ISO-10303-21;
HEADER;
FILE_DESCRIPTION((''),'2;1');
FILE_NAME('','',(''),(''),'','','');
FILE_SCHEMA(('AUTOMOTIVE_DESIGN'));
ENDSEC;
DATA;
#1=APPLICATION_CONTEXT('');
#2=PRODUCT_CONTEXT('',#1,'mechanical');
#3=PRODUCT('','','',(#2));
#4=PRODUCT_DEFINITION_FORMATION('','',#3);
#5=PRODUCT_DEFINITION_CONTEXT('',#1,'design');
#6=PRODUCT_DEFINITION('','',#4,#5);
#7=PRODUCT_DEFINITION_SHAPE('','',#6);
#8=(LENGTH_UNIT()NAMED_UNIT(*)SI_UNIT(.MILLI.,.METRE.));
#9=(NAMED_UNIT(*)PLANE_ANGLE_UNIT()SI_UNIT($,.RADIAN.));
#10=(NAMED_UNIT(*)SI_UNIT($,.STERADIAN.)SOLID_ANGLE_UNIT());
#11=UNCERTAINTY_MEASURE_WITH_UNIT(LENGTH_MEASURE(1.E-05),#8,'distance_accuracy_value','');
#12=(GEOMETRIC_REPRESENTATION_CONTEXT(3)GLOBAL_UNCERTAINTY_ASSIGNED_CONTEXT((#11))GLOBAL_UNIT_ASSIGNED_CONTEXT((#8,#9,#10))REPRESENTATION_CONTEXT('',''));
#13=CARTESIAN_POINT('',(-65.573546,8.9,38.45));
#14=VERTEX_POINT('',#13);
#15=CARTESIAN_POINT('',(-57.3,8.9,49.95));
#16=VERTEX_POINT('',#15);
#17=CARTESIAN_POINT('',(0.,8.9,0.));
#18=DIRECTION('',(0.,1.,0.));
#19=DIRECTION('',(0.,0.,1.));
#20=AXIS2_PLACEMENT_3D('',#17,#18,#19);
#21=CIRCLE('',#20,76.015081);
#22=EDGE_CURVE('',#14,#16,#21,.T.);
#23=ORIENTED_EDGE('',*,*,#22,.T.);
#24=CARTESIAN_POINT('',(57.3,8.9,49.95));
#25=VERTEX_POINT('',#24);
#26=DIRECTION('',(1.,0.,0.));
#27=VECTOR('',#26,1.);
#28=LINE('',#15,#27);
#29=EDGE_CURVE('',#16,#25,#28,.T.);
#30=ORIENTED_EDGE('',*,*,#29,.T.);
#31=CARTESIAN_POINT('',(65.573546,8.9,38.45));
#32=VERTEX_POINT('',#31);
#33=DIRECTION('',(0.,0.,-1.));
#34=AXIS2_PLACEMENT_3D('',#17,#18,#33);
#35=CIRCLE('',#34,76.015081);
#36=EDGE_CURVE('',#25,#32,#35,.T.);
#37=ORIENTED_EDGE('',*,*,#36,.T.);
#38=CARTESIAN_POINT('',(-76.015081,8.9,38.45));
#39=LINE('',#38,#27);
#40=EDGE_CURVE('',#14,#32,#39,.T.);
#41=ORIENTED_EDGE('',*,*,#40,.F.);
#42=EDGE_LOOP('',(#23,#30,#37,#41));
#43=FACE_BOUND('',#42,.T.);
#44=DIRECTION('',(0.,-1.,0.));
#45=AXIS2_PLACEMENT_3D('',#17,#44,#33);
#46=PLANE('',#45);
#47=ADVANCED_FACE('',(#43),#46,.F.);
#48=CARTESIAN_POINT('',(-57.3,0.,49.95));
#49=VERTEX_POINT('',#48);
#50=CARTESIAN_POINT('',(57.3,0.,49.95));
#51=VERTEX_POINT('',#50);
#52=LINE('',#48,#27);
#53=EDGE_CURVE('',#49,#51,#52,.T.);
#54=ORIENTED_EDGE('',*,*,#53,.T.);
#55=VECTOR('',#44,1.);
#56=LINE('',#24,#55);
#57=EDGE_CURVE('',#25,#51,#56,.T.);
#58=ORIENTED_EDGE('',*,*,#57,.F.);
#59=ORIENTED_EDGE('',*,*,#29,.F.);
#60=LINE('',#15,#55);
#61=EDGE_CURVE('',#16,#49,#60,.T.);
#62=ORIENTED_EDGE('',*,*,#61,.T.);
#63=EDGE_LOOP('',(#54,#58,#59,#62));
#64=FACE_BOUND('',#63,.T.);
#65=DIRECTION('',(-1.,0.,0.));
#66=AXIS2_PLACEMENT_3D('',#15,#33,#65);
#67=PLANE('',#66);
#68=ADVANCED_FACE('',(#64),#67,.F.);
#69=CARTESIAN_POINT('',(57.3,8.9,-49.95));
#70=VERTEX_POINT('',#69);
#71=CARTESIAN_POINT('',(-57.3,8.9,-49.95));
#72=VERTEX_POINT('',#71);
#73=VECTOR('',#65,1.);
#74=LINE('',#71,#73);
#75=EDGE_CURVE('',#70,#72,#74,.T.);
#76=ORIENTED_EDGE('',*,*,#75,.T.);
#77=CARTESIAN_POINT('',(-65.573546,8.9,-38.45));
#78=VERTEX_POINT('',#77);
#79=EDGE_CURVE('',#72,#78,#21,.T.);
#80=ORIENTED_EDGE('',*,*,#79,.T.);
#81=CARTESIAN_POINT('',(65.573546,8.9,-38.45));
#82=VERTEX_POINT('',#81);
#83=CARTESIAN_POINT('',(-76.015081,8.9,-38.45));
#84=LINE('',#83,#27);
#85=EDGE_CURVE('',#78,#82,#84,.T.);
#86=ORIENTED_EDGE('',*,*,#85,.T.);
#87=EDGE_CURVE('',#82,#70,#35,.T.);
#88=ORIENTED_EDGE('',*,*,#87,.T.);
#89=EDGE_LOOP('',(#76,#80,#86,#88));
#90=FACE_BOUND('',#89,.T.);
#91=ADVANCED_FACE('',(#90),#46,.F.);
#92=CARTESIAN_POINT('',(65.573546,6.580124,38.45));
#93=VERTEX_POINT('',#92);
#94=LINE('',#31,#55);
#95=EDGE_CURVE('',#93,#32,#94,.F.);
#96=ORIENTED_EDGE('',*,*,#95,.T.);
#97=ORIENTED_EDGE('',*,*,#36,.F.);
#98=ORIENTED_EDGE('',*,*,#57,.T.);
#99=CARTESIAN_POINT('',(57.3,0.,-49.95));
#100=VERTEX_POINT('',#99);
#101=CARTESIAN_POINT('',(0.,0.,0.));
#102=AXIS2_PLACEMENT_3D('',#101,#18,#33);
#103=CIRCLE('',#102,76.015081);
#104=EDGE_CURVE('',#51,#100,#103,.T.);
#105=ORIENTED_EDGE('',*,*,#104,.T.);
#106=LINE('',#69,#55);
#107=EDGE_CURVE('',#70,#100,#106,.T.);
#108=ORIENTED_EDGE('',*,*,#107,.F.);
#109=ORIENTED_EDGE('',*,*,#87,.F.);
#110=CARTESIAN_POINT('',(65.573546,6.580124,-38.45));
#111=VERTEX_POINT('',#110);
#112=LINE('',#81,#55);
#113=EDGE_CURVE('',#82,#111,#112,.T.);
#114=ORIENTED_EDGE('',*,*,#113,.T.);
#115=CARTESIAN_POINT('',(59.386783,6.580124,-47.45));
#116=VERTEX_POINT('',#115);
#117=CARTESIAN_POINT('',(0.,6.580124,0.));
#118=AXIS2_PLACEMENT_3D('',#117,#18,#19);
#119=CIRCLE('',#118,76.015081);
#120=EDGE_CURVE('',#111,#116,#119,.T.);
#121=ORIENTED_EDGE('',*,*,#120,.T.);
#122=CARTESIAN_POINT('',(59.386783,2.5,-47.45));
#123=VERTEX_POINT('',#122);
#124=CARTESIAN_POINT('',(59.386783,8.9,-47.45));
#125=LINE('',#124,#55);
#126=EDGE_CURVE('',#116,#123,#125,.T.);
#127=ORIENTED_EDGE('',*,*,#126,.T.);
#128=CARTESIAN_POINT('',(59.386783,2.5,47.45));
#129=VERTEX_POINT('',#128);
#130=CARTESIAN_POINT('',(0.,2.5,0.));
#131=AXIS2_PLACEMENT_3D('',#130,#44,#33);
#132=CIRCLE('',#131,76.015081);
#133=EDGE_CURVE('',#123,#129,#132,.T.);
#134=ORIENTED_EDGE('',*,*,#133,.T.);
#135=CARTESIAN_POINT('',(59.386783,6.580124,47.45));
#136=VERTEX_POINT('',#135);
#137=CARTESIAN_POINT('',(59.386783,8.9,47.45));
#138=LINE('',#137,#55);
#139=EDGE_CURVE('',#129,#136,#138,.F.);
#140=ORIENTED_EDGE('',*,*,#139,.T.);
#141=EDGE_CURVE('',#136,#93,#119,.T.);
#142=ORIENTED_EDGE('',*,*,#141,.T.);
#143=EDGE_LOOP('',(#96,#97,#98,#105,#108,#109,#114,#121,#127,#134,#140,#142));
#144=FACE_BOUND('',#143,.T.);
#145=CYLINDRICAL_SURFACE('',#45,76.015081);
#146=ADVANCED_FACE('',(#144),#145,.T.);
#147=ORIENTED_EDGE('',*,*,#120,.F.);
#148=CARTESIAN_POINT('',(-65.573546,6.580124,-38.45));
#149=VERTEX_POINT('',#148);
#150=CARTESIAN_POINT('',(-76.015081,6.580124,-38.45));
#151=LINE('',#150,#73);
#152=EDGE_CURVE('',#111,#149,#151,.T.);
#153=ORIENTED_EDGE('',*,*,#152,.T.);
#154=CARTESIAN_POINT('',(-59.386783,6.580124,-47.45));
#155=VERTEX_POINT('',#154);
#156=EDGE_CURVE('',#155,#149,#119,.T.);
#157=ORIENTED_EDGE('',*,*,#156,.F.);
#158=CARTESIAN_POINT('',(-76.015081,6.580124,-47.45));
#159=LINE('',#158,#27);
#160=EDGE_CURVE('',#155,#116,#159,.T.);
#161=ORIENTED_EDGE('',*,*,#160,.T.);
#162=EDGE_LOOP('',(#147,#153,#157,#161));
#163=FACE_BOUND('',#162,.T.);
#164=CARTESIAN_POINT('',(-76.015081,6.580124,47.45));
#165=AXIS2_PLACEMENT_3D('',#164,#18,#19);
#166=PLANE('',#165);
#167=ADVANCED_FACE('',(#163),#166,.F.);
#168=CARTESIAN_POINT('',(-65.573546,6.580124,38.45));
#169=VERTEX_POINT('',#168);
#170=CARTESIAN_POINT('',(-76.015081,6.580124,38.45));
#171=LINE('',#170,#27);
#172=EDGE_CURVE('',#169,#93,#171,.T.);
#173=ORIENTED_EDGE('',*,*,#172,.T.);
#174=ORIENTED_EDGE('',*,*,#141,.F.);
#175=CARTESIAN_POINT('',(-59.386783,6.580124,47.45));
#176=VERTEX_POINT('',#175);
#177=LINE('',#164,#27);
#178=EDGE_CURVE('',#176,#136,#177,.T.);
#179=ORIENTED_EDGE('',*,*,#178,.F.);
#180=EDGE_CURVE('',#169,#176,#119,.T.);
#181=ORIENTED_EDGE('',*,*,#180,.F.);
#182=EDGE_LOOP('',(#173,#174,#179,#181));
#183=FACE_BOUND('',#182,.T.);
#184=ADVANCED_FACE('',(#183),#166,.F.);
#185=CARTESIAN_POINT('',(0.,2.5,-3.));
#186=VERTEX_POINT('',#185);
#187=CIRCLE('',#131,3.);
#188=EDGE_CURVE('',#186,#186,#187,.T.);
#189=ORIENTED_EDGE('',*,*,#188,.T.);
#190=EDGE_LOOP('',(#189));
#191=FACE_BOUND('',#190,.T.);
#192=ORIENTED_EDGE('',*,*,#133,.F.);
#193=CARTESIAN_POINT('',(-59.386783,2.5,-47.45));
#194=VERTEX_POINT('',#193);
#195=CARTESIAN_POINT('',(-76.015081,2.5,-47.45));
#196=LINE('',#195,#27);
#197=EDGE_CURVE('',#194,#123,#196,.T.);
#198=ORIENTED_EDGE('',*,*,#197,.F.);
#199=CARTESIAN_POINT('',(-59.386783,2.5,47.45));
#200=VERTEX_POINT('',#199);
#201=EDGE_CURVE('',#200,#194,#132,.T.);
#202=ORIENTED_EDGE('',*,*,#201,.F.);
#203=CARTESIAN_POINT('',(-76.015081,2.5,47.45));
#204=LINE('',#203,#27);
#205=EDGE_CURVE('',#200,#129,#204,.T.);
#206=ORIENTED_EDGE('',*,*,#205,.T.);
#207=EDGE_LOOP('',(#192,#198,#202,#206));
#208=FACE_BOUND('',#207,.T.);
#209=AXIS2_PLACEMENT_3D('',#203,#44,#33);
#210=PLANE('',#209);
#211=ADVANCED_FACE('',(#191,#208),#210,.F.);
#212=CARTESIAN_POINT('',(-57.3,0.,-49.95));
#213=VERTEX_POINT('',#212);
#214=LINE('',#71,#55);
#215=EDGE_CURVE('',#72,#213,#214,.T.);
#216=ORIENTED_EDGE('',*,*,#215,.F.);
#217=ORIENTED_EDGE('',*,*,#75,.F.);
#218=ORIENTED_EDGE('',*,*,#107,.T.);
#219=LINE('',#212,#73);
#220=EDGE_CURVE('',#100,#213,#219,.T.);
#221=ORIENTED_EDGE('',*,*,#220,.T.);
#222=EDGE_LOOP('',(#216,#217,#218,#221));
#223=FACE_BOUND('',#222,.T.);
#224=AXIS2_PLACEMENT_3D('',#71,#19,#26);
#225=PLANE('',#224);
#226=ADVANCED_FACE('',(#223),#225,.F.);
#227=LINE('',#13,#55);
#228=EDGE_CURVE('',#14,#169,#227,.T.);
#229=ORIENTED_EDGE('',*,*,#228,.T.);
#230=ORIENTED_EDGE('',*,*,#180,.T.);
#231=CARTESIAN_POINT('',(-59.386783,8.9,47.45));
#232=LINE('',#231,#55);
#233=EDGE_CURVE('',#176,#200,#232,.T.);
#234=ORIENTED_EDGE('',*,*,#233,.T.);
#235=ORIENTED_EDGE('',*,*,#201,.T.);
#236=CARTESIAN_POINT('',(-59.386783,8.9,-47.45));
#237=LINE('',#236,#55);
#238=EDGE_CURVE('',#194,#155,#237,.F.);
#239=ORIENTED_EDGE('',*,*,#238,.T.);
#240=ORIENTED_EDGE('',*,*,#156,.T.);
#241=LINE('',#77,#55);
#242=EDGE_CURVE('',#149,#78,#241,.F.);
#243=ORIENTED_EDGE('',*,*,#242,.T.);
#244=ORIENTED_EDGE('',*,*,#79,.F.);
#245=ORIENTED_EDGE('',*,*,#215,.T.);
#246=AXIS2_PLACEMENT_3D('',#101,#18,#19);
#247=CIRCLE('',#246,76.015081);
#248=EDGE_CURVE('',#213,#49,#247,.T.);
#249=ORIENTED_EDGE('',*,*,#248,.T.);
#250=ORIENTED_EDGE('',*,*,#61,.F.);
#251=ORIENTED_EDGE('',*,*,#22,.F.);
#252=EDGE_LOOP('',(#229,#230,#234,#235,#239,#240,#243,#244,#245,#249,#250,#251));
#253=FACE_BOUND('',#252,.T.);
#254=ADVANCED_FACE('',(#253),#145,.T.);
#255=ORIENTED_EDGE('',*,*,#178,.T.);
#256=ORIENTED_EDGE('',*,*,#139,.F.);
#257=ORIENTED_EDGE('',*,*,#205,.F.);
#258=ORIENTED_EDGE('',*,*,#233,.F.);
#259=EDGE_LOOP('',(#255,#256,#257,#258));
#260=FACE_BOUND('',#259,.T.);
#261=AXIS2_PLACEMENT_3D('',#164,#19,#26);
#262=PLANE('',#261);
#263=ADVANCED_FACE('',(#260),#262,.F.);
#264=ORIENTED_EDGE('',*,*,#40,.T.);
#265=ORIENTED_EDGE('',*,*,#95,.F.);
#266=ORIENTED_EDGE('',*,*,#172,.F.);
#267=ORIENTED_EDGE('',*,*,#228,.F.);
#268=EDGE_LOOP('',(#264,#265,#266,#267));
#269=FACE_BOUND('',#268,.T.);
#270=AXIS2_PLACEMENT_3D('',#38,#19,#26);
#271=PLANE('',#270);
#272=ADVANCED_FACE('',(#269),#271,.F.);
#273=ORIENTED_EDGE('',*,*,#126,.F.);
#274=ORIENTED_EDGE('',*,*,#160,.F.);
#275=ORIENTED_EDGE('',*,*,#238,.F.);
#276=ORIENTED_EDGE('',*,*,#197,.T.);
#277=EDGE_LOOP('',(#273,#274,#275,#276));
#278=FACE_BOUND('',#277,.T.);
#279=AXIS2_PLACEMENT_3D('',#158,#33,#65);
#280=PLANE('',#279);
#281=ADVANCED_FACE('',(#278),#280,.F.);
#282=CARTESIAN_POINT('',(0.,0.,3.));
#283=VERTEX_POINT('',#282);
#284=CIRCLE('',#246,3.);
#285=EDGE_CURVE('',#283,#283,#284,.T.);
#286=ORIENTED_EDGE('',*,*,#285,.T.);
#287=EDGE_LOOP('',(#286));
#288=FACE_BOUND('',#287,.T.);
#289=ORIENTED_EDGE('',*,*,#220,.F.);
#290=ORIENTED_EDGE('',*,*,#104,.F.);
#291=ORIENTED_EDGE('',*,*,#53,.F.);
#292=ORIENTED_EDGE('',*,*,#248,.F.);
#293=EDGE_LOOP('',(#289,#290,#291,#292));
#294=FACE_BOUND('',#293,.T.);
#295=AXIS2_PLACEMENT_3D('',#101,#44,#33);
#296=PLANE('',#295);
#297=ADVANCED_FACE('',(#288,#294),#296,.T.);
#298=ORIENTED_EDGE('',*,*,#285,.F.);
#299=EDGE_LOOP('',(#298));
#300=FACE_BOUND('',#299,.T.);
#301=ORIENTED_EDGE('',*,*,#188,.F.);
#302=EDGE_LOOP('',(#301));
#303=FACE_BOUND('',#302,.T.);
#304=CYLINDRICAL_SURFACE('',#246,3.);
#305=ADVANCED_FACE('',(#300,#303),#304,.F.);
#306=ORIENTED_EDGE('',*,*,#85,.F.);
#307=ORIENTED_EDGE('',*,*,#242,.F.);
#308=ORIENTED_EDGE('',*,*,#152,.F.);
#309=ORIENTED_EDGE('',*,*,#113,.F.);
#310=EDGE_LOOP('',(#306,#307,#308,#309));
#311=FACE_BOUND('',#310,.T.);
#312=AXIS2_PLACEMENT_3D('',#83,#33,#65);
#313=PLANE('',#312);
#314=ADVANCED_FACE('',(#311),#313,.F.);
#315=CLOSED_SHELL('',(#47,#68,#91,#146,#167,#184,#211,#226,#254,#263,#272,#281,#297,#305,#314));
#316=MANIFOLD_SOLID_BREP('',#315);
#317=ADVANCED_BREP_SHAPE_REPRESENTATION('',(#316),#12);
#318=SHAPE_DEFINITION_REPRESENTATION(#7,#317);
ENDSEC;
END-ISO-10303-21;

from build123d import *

# Parameters (mm, degrees)
BOSS_EXTRUDE1_DEPTH     = 8.9
SKETCH4_W               = 94.9
SKETCH4_H               = 4.080124435
CUT_EXTRUDE1_DEPTH      = 77.015080741
CUT_EXTRUDE1_DEPTH_BACK = 77.015080741
SKETCH7_W               = 76.9
SKETCH7_H               = 2.319875565
CUT_EXTRUDE2_DEPTH      = 77.015080741
CUT_EXTRUDE2_DEPTH_BACK = 77.015080741
SKETCH8_R               = 3
CUT_EXTRUDE3_DEPTH      = 7.4
CUT_EXTRUDE3_DEPTH_BACK = 3.5


with BuildPart() as part:
    # Sketch3 → Boss-Extrude1 (new body)
    with BuildSketch(Plane(origin=(0, 0, 0), x_dir=(1, 0, 0), z_dir=(0, 1, 0))):
        with BuildLine():
            Line((-57.3, 49.95), (57.3, 49.95))
            ThreePointArc((57.3, 49.95), (76.015080741, 0), (57.3, -49.95))
            Line((57.3, -49.95), (-57.3, -49.95))
            ThreePointArc((-57.3, -49.95), (-76.015080741, 0), (-57.3, 49.95))
        make_face()
    extrude(amount=BOSS_EXTRUDE1_DEPTH)

    # Sketch4 → Cut-Extrude1 (cut, two sides)
    with BuildSketch(Plane(origin=(0, 0, 0), x_dir=(0, 0, -1), z_dir=(1, 0, 0))) as cut_extrude1_sk:
        with Locations((0, 4.540062218)):
            Rectangle(SKETCH4_W, SKETCH4_H)
    extrude(amount=CUT_EXTRUDE1_DEPTH, mode=Mode.SUBTRACT)
    extrude(cut_extrude1_sk.sketch, amount=-CUT_EXTRUDE1_DEPTH_BACK, mode=Mode.SUBTRACT)

    # Sketch7 → Cut-Extrude2 (cut, two sides)
    with BuildSketch(Plane(origin=(0, 0, 0), x_dir=(0, 0, -1), z_dir=(1, 0, 0))) as cut_extrude2_sk:
        with Locations((0, 7.740062218)):
            Rectangle(SKETCH7_W, SKETCH7_H)
    extrude(amount=CUT_EXTRUDE2_DEPTH, mode=Mode.SUBTRACT)
    extrude(cut_extrude2_sk.sketch, amount=-CUT_EXTRUDE2_DEPTH_BACK, mode=Mode.SUBTRACT)

    # Sketch8 → Cut-Extrude3 (cut, two sides)
    with BuildSketch(Plane(origin=(0, 2.5, 0), x_dir=(1, 0, 0), z_dir=(0, 1, 0))) as cut_extrude3_sk:
        Circle(SKETCH8_R)
    extrude(amount=CUT_EXTRUDE3_DEPTH, mode=Mode.SUBTRACT)
    extrude(cut_extrude3_sk.sketch, amount=-CUT_EXTRUDE3_DEPTH_BACK, mode=Mode.SUBTRACT)


solid = part.part
